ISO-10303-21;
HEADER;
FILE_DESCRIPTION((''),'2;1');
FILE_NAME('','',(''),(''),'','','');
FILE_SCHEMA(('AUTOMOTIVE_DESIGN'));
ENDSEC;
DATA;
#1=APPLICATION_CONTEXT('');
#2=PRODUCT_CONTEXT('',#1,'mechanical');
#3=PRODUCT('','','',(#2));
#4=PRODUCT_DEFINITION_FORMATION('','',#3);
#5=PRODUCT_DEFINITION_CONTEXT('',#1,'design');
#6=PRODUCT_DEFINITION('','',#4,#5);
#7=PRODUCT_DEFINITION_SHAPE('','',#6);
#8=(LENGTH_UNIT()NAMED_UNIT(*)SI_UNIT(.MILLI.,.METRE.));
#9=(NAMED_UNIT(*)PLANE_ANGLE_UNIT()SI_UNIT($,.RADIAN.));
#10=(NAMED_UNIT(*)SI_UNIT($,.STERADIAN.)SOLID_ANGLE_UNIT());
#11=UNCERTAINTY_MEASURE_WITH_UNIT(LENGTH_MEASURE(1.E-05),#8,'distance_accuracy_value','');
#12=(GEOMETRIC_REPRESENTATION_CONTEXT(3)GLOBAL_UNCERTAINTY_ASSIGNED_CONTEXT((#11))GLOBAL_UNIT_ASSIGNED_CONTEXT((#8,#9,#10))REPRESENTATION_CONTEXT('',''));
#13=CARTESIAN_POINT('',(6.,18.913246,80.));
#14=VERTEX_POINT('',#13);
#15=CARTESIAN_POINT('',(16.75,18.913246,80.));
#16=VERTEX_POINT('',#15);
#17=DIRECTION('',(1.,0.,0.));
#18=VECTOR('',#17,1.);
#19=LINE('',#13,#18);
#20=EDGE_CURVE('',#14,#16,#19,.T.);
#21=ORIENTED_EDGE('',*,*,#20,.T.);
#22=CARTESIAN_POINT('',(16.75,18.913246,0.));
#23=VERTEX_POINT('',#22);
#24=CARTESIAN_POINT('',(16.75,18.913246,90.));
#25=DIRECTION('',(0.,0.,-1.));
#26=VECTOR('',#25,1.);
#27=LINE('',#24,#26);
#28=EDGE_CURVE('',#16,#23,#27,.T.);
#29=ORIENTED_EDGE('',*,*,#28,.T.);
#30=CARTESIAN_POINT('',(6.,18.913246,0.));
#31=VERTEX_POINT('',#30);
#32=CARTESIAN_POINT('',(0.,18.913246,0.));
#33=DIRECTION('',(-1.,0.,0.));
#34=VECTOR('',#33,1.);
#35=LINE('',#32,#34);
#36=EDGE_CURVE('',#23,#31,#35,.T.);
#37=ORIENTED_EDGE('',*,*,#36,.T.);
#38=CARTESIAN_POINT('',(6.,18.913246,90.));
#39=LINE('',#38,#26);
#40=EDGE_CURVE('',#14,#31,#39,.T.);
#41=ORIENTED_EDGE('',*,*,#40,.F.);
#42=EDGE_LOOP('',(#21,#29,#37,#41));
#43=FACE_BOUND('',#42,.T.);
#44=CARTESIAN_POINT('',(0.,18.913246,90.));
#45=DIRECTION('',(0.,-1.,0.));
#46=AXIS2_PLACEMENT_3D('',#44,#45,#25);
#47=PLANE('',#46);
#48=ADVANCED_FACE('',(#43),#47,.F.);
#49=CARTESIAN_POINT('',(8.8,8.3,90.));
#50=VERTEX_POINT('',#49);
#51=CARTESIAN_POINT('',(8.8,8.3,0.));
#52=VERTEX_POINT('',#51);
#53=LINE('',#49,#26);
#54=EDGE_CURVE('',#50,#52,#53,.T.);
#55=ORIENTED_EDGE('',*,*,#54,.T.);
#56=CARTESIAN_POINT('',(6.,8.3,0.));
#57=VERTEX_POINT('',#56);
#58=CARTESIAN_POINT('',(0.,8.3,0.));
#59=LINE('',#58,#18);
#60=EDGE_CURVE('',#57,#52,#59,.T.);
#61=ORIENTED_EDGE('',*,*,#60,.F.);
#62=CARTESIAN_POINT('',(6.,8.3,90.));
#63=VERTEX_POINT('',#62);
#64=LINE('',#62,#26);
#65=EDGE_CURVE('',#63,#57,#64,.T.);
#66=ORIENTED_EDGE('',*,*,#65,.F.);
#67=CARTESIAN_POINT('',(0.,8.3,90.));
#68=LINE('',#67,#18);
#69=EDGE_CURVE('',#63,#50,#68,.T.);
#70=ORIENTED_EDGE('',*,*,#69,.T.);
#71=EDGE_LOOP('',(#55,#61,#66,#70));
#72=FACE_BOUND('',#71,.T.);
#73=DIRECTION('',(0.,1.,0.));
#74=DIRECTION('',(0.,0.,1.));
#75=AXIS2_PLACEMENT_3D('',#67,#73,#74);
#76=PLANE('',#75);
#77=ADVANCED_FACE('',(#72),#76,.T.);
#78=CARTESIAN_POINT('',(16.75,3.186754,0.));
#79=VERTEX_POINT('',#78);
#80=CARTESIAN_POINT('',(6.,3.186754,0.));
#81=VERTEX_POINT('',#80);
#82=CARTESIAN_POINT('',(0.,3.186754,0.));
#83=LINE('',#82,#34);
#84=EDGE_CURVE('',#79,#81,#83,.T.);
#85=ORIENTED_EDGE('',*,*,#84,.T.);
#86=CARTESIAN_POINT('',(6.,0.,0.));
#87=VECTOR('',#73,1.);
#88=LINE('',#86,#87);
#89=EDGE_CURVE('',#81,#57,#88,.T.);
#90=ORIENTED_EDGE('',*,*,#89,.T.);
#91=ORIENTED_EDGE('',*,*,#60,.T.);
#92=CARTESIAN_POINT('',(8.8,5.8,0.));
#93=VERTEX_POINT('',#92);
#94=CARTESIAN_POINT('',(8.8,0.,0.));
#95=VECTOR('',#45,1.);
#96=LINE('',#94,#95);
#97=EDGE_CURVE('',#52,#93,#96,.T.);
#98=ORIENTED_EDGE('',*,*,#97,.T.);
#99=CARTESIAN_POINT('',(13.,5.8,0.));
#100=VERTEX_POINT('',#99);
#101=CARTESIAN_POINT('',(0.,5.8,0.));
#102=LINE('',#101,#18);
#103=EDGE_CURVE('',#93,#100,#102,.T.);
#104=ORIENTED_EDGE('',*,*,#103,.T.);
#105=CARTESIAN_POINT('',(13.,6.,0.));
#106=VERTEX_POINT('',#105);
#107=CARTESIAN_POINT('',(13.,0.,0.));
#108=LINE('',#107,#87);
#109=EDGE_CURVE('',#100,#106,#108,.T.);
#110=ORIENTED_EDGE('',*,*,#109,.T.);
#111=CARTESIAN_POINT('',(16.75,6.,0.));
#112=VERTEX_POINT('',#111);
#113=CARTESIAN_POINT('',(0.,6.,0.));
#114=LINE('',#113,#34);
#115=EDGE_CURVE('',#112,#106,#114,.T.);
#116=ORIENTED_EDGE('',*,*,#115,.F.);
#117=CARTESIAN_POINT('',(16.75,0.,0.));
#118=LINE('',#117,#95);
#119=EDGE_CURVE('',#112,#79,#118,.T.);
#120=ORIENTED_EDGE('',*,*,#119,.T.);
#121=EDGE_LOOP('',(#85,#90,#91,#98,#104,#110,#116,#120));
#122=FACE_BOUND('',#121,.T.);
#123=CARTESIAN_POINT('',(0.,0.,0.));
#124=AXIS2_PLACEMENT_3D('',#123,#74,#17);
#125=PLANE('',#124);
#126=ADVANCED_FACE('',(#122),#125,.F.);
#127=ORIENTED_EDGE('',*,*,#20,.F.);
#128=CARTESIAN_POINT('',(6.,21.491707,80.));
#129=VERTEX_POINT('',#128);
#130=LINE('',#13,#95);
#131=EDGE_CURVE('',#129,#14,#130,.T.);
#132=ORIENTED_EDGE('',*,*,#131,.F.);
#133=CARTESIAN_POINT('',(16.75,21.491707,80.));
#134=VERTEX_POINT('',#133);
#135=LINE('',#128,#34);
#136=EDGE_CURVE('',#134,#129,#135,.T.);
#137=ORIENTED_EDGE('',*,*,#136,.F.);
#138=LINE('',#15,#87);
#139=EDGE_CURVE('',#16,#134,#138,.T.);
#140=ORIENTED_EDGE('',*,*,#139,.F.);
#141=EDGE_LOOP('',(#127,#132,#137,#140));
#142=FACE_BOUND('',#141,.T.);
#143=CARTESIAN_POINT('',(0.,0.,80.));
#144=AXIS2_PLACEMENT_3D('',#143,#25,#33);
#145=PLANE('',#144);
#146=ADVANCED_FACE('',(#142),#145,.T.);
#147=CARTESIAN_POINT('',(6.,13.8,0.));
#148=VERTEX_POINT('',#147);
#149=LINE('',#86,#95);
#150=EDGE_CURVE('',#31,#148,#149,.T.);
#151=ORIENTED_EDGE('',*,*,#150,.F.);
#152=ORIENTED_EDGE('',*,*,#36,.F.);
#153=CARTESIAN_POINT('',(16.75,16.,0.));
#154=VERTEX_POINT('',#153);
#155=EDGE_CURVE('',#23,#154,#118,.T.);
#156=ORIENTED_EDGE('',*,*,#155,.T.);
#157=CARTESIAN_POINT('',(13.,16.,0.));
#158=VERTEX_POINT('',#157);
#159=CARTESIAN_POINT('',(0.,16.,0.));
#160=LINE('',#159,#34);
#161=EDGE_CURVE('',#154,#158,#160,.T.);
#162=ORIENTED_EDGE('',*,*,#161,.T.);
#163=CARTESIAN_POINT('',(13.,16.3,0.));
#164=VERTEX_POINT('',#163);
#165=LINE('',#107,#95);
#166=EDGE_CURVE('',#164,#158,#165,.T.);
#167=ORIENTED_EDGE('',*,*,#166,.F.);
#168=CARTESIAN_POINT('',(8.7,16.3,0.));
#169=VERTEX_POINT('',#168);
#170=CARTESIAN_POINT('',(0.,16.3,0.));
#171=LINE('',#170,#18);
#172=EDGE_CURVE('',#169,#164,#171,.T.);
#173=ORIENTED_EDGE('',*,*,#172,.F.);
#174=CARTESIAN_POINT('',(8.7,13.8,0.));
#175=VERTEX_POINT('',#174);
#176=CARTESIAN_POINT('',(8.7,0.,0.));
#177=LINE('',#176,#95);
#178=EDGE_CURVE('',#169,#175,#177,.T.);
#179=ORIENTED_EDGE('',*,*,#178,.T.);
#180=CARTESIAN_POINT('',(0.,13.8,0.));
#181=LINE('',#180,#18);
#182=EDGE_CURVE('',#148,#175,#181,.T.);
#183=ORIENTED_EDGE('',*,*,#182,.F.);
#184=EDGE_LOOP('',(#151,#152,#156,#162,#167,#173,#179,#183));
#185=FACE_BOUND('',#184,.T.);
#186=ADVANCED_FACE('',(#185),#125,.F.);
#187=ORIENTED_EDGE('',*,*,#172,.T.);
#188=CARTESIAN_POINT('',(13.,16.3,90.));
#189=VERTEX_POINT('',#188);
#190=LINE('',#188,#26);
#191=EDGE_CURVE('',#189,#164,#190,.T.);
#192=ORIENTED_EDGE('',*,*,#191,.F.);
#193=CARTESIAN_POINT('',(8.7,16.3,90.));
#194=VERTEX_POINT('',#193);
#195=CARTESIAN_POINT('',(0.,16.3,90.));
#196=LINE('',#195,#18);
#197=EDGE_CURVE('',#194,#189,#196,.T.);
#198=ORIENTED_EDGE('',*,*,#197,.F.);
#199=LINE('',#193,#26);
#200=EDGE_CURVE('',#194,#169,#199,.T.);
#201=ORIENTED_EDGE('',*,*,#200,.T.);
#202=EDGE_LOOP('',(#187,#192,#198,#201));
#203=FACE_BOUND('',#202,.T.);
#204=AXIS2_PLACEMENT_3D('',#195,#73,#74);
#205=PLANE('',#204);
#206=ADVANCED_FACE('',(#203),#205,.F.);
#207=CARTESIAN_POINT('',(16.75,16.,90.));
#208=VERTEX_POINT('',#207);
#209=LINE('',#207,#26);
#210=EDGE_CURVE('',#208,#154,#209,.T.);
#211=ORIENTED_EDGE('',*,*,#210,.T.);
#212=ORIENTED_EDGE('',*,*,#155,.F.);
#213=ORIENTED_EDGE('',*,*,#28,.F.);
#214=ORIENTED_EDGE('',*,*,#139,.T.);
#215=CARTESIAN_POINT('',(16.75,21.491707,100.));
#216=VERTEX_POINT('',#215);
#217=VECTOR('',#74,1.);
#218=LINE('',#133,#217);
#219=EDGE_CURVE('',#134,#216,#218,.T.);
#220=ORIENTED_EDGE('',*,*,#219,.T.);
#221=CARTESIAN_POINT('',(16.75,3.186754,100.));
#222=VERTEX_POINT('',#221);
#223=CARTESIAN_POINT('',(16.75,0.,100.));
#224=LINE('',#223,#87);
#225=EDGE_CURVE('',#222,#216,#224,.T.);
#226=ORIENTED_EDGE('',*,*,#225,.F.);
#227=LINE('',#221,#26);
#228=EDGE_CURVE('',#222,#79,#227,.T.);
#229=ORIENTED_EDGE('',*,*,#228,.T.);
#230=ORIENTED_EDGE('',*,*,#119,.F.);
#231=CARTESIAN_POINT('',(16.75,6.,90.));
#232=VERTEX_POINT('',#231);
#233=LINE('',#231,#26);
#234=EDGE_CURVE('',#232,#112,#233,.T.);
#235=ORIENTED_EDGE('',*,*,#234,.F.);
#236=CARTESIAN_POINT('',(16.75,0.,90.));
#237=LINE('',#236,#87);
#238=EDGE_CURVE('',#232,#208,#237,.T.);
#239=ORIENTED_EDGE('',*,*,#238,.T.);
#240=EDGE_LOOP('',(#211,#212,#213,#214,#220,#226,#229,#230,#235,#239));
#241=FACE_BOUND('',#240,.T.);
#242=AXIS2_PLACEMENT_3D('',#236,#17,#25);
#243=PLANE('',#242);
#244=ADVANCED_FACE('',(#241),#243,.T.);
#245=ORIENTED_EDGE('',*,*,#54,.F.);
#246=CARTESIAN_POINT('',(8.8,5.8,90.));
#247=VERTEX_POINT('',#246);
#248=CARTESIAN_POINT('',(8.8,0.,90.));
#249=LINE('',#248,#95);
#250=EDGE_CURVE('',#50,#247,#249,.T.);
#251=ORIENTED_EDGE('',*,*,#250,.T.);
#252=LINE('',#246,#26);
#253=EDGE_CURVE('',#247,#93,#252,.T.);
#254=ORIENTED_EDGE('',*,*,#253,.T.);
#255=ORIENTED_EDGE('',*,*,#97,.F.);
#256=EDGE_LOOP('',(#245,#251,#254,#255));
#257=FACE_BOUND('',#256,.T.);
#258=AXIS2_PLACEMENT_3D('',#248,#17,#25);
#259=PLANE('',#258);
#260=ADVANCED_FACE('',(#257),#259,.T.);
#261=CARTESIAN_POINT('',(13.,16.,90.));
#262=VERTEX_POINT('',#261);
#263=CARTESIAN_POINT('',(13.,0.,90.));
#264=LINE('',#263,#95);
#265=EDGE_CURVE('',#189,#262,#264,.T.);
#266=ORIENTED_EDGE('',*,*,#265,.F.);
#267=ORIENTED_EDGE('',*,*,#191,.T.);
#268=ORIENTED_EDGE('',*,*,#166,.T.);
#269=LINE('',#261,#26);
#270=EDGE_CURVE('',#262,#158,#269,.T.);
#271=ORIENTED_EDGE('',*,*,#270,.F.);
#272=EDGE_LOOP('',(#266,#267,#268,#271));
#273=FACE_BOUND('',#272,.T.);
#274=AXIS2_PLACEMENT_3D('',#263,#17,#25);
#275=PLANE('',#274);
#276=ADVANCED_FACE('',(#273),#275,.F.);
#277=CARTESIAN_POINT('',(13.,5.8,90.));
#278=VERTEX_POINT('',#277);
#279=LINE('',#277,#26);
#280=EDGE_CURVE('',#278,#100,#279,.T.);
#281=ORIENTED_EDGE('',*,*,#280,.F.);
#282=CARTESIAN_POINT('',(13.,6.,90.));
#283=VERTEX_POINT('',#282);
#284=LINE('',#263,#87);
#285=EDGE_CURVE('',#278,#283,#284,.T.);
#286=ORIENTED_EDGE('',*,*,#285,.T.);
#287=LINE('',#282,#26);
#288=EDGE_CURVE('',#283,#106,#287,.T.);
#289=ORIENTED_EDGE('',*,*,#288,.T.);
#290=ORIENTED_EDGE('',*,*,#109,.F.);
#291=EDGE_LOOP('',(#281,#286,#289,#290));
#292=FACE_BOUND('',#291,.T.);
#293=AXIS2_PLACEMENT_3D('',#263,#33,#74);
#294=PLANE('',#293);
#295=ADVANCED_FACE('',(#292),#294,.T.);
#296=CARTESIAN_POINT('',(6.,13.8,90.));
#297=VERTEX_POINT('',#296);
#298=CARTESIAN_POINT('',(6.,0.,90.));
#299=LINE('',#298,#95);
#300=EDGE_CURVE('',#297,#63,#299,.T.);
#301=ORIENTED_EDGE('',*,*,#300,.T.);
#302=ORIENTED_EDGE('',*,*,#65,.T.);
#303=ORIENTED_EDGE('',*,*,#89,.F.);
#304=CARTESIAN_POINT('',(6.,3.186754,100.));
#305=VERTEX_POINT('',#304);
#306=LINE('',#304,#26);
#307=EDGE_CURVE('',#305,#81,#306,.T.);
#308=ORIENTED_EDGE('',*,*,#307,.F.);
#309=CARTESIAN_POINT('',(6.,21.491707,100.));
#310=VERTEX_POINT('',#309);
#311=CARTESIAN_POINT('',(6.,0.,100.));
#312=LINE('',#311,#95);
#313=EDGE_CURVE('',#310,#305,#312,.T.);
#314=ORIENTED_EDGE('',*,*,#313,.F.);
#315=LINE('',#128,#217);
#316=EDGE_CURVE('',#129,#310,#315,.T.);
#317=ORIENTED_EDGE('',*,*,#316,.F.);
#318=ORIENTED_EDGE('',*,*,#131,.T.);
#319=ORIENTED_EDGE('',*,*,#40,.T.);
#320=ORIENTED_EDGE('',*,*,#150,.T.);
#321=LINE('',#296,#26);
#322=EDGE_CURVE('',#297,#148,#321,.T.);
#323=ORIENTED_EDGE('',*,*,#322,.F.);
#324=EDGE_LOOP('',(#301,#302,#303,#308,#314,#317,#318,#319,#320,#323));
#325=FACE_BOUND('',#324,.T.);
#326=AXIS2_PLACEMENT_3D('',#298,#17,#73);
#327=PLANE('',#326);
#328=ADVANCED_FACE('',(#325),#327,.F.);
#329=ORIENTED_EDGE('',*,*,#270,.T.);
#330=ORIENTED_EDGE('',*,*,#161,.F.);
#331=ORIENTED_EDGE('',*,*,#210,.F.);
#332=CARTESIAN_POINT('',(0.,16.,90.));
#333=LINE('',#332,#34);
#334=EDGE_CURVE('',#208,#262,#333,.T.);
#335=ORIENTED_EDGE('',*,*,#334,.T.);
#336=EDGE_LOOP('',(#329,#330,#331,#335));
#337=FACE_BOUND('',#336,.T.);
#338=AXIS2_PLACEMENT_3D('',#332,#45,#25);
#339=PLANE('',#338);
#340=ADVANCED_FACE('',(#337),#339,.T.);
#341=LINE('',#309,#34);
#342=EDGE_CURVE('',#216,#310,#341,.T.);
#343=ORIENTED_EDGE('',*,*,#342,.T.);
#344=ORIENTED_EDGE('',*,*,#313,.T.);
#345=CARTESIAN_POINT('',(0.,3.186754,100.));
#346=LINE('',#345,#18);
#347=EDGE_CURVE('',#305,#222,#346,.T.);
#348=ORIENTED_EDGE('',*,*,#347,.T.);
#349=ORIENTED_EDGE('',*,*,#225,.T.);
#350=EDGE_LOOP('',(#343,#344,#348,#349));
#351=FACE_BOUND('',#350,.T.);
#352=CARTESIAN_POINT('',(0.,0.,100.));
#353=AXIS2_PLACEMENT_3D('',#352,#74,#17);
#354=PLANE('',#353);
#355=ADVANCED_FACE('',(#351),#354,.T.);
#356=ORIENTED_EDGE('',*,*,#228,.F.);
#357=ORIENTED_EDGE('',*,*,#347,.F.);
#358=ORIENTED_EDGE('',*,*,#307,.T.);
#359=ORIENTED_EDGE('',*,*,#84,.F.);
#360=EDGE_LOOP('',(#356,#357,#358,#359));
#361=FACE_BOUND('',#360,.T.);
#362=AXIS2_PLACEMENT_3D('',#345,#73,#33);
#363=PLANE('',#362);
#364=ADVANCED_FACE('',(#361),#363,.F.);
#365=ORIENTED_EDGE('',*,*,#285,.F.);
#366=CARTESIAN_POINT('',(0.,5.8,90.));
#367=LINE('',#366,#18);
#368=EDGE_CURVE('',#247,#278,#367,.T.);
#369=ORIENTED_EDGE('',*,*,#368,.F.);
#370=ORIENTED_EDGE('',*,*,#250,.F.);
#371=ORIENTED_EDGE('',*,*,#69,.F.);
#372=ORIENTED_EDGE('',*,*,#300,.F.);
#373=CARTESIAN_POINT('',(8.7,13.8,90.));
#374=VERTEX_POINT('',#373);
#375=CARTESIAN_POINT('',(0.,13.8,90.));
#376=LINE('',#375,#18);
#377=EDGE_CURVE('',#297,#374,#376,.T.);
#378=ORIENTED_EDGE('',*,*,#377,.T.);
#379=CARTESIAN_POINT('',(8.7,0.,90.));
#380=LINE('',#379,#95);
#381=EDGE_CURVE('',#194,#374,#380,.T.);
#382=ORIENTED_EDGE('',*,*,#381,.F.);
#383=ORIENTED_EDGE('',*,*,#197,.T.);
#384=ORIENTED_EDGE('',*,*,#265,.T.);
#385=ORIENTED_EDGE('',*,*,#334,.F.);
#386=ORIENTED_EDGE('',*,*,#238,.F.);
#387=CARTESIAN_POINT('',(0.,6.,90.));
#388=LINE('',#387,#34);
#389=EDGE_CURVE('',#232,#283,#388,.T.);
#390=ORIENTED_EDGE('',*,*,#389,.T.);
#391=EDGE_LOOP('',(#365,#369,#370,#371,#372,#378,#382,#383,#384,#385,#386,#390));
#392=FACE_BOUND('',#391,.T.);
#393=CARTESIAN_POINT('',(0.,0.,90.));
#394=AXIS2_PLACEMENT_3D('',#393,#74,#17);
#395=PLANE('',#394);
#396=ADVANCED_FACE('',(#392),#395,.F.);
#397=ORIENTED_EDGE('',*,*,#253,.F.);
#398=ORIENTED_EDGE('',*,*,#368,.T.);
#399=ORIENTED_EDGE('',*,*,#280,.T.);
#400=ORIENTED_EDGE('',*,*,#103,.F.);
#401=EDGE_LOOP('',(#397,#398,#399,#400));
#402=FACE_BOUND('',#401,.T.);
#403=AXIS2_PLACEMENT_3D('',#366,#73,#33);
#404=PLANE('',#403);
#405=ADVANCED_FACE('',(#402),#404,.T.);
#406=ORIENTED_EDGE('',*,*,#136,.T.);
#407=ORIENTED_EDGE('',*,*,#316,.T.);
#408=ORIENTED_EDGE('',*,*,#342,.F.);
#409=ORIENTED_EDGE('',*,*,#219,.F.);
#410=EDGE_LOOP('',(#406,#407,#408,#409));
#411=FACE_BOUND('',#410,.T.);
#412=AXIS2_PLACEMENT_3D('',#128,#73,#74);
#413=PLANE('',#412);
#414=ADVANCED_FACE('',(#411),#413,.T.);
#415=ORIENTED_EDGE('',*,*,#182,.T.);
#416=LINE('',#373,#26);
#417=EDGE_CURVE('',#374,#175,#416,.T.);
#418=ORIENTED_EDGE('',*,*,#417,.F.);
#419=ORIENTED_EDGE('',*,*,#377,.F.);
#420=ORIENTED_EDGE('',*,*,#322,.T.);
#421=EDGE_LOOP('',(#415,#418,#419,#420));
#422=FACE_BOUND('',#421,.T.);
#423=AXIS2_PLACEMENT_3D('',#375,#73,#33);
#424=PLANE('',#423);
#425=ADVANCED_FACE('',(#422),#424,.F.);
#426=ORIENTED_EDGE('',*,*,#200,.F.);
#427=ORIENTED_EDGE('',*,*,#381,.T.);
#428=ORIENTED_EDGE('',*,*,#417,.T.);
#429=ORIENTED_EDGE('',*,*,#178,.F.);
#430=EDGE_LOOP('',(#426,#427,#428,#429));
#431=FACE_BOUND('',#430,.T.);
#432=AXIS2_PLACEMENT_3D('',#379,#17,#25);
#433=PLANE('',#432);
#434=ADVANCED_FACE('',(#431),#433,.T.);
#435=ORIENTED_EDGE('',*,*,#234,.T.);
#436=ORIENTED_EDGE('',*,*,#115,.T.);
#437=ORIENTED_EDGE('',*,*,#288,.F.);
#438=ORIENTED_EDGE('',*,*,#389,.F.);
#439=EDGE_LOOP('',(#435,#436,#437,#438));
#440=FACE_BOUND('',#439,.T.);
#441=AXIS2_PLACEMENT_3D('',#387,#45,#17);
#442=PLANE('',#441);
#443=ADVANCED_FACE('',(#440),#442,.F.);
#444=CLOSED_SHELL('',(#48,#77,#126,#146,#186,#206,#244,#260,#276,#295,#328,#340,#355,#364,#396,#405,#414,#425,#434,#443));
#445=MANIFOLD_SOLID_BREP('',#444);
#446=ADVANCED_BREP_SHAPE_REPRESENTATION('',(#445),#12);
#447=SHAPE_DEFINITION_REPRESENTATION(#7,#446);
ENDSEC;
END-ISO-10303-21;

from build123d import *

# Parameters (mm, degrees)
SKETCH2_W           = 3.75
SKETCH2_H           = 0.3
SKETCH2_H_2         = 0.2
BOSS_EXTRUDE3_DEPTH = 90
SKETCH3_W           = 10.75
SKETCH3_H           = 15.726491146
BOSS_EXTRUDE4_DEPTH = 10
SKETCH4_W           = 10.75
SKETCH4_H           = 2.578461227
BOSS_EXTRUDE5_DEPTH = 20


with BuildPart() as part:
    # Sketch2 → Boss-Extrude3 (new body)
    with BuildSketch(Plane.XY):
        with Locations((14.875, 16.15)):
            Rectangle(SKETCH2_W, SKETCH2_H)
        Polygon((8.7, 16.3), (8.7, 18.913245573), (16.75, 18.913245573), (16.75, 16.3), (13, 16.3), align=None)
        Polygon((6, 18.913245573), (6, 13.8), (8.7, 13.8), (8.7, 16.3), (8.7, 18.913245573), align=None)
        Polygon((8.8, 3.186754427), (8.8, 5.8), (8.8, 8.3), (6, 8.3), (6, 3.186754427), align=None)
        Polygon((8.8, 5.8), (13, 5.8), (16.75, 5.8), (16.75, 3.186754427), (8.8, 3.186754427), align=None)
        with Locations((14.875, 5.9)):
            Rectangle(SKETCH2_W, SKETCH2_H_2)
    extrude(amount=BOSS_EXTRUDE3_DEPTH)

    # Sketch3 → Boss-Extrude4 (add)
    with BuildSketch(Plane.XY.offset(90)):
        with Locations((11.375, 11.05)):
            Rectangle(SKETCH3_W, SKETCH3_H)
    extrude(amount=BOSS_EXTRUDE4_DEPTH)

    # Sketch4 → Boss-Extrude5 (add)
    with BuildSketch(Plane.XY.offset(100)):
        with Locations((11.375, 20.202476187)):
            Rectangle(SKETCH4_W, SKETCH4_H)
    extrude(amount=-BOSS_EXTRUDE5_DEPTH)


solid = part.part
